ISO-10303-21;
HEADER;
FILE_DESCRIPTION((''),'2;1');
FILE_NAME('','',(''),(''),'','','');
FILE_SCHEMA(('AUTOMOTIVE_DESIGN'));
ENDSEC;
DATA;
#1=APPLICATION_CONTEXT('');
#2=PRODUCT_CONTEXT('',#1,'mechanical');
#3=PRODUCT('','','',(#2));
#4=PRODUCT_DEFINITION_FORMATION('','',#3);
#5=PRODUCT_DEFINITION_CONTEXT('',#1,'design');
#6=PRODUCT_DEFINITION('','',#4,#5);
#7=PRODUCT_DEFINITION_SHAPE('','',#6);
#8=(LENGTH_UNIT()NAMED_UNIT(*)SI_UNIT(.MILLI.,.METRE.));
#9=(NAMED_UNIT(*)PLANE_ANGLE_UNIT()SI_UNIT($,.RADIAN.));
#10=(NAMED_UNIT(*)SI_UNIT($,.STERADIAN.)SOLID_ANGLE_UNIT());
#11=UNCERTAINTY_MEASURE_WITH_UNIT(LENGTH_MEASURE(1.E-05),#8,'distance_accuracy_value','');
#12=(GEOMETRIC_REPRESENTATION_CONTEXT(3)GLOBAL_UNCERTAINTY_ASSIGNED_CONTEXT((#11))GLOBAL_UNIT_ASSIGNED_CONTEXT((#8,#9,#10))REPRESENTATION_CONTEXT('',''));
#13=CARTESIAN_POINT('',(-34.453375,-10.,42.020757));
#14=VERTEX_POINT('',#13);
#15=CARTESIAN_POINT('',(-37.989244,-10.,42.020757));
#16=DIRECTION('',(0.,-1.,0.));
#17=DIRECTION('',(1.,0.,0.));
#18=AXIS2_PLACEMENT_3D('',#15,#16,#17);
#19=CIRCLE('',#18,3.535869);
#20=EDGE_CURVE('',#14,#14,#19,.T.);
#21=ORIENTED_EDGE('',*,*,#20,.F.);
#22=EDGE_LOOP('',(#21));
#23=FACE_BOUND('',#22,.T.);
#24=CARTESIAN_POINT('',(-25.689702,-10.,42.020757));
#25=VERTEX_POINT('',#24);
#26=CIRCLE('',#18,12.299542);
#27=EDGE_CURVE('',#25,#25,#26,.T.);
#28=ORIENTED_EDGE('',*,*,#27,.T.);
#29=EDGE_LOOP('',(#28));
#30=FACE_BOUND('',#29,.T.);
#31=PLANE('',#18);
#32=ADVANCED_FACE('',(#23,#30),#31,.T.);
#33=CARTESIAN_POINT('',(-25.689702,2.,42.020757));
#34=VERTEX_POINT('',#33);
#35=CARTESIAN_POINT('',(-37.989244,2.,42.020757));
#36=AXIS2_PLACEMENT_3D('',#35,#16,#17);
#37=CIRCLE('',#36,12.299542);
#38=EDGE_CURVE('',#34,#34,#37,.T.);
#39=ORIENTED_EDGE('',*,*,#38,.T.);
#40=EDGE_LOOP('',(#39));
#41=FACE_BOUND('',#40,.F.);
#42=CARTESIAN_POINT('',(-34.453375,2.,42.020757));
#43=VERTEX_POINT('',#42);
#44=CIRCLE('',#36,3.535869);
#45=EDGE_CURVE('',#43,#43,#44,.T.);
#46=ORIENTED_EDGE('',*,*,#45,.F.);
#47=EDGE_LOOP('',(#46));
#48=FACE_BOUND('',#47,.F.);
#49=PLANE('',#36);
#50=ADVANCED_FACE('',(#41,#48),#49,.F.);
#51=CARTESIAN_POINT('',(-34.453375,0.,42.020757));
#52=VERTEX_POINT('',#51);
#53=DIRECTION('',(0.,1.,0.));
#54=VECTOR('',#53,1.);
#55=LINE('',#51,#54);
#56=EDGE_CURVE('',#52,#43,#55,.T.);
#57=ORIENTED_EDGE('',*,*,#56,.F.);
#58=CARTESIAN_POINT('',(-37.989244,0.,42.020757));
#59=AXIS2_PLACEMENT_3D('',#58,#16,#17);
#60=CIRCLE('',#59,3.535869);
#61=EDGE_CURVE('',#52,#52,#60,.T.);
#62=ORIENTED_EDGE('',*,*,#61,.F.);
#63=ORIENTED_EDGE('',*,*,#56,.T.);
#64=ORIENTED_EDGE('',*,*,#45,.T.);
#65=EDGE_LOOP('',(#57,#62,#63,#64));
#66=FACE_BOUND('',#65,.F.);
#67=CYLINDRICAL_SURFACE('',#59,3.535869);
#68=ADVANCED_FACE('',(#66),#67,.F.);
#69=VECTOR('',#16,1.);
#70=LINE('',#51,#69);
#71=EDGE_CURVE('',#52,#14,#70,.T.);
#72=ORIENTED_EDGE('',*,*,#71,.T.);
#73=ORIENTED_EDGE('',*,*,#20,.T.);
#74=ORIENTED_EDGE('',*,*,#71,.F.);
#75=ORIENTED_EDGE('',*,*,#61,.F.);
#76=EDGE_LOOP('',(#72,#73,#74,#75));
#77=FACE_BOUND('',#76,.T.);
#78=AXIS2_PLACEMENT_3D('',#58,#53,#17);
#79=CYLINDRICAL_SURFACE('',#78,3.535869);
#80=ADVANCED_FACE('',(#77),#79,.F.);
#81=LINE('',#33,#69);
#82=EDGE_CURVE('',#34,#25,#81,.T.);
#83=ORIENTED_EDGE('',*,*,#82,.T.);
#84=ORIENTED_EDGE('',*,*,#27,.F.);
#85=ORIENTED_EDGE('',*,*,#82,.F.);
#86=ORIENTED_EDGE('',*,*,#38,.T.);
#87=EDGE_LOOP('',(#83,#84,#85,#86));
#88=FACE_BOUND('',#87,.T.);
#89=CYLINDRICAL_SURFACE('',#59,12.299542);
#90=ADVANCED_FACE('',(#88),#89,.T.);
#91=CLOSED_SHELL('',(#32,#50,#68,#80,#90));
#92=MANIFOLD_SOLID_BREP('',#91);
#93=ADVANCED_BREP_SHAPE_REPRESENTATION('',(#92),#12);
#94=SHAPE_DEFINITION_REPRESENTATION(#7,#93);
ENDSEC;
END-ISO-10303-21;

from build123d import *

# Parameters (mm, degrees)
F0_R          = 12.299542
F0_R_2        = 3.535869
F1_DEPTH      = 10
F1_DEPTH_BACK = 2


with BuildPart() as f1:
    # F0 (on Front) → F1 (new body, two sides)
    with BuildSketch(Plane.XZ) as f1_sk:
        with Locations((-37.989244, 42.020757)):
            Circle(F0_R)
        with Locations((-37.989244, 42.020757)):
            Circle(F0_R_2, mode=Mode.SUBTRACT)
    extrude(amount=F1_DEPTH)
    extrude(f1_sk.sketch, amount=-F1_DEPTH_BACK)


solid = f1.part
